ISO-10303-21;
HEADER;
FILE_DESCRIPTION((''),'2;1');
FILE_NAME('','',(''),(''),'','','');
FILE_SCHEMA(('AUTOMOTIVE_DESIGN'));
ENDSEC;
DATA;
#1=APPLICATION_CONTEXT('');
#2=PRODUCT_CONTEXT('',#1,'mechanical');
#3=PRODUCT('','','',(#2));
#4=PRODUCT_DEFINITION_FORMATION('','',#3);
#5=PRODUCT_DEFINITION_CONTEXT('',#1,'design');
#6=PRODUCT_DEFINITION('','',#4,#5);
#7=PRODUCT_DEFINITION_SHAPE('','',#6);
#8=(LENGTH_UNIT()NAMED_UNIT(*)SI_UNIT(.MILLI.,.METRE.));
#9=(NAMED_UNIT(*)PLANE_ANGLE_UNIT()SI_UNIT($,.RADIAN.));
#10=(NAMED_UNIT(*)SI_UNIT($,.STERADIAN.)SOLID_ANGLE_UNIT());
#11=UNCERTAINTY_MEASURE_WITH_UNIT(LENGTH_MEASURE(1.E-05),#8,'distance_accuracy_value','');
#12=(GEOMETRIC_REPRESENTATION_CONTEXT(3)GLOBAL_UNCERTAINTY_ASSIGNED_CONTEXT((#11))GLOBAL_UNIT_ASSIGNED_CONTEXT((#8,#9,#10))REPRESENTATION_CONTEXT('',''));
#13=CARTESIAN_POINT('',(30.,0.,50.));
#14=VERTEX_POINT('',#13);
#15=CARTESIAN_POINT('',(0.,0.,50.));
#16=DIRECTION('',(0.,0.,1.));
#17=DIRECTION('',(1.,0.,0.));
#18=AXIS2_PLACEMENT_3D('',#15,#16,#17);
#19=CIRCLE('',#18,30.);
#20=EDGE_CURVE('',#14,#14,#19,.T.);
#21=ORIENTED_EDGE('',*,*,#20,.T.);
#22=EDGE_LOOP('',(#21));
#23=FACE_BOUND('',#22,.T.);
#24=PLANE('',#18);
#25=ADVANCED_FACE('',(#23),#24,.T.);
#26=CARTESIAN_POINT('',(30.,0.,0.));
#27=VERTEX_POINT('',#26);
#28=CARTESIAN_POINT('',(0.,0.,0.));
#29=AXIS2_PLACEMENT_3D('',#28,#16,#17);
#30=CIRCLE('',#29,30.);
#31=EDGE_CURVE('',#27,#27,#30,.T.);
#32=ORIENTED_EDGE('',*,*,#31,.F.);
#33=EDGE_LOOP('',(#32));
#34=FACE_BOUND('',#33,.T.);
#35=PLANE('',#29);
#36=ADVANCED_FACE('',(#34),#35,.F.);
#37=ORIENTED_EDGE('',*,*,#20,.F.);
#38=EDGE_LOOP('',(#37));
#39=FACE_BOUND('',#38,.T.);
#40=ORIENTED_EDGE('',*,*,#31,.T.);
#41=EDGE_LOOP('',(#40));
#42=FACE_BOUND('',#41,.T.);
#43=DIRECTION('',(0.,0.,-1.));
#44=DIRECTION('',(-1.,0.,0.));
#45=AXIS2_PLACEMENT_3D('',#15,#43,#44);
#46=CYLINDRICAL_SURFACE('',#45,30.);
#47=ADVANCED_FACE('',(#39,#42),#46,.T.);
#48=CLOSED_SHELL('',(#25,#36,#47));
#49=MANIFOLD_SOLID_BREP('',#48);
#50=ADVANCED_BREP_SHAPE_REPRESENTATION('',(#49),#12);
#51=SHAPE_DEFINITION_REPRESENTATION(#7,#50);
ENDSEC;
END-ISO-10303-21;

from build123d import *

# Parameters (mm, degrees)
SKETCH_1_R      = 30
EXTRUDE_1_DEPTH = 50


with BuildPart() as part:
    # Эскиз1 → Бобышка-Вытянуть1 (new body)
    with BuildSketch(Plane.XY):
        Circle(SKETCH_1_R)
    extrude(amount=EXTRUDE_1_DEPTH)


solid = part.part
